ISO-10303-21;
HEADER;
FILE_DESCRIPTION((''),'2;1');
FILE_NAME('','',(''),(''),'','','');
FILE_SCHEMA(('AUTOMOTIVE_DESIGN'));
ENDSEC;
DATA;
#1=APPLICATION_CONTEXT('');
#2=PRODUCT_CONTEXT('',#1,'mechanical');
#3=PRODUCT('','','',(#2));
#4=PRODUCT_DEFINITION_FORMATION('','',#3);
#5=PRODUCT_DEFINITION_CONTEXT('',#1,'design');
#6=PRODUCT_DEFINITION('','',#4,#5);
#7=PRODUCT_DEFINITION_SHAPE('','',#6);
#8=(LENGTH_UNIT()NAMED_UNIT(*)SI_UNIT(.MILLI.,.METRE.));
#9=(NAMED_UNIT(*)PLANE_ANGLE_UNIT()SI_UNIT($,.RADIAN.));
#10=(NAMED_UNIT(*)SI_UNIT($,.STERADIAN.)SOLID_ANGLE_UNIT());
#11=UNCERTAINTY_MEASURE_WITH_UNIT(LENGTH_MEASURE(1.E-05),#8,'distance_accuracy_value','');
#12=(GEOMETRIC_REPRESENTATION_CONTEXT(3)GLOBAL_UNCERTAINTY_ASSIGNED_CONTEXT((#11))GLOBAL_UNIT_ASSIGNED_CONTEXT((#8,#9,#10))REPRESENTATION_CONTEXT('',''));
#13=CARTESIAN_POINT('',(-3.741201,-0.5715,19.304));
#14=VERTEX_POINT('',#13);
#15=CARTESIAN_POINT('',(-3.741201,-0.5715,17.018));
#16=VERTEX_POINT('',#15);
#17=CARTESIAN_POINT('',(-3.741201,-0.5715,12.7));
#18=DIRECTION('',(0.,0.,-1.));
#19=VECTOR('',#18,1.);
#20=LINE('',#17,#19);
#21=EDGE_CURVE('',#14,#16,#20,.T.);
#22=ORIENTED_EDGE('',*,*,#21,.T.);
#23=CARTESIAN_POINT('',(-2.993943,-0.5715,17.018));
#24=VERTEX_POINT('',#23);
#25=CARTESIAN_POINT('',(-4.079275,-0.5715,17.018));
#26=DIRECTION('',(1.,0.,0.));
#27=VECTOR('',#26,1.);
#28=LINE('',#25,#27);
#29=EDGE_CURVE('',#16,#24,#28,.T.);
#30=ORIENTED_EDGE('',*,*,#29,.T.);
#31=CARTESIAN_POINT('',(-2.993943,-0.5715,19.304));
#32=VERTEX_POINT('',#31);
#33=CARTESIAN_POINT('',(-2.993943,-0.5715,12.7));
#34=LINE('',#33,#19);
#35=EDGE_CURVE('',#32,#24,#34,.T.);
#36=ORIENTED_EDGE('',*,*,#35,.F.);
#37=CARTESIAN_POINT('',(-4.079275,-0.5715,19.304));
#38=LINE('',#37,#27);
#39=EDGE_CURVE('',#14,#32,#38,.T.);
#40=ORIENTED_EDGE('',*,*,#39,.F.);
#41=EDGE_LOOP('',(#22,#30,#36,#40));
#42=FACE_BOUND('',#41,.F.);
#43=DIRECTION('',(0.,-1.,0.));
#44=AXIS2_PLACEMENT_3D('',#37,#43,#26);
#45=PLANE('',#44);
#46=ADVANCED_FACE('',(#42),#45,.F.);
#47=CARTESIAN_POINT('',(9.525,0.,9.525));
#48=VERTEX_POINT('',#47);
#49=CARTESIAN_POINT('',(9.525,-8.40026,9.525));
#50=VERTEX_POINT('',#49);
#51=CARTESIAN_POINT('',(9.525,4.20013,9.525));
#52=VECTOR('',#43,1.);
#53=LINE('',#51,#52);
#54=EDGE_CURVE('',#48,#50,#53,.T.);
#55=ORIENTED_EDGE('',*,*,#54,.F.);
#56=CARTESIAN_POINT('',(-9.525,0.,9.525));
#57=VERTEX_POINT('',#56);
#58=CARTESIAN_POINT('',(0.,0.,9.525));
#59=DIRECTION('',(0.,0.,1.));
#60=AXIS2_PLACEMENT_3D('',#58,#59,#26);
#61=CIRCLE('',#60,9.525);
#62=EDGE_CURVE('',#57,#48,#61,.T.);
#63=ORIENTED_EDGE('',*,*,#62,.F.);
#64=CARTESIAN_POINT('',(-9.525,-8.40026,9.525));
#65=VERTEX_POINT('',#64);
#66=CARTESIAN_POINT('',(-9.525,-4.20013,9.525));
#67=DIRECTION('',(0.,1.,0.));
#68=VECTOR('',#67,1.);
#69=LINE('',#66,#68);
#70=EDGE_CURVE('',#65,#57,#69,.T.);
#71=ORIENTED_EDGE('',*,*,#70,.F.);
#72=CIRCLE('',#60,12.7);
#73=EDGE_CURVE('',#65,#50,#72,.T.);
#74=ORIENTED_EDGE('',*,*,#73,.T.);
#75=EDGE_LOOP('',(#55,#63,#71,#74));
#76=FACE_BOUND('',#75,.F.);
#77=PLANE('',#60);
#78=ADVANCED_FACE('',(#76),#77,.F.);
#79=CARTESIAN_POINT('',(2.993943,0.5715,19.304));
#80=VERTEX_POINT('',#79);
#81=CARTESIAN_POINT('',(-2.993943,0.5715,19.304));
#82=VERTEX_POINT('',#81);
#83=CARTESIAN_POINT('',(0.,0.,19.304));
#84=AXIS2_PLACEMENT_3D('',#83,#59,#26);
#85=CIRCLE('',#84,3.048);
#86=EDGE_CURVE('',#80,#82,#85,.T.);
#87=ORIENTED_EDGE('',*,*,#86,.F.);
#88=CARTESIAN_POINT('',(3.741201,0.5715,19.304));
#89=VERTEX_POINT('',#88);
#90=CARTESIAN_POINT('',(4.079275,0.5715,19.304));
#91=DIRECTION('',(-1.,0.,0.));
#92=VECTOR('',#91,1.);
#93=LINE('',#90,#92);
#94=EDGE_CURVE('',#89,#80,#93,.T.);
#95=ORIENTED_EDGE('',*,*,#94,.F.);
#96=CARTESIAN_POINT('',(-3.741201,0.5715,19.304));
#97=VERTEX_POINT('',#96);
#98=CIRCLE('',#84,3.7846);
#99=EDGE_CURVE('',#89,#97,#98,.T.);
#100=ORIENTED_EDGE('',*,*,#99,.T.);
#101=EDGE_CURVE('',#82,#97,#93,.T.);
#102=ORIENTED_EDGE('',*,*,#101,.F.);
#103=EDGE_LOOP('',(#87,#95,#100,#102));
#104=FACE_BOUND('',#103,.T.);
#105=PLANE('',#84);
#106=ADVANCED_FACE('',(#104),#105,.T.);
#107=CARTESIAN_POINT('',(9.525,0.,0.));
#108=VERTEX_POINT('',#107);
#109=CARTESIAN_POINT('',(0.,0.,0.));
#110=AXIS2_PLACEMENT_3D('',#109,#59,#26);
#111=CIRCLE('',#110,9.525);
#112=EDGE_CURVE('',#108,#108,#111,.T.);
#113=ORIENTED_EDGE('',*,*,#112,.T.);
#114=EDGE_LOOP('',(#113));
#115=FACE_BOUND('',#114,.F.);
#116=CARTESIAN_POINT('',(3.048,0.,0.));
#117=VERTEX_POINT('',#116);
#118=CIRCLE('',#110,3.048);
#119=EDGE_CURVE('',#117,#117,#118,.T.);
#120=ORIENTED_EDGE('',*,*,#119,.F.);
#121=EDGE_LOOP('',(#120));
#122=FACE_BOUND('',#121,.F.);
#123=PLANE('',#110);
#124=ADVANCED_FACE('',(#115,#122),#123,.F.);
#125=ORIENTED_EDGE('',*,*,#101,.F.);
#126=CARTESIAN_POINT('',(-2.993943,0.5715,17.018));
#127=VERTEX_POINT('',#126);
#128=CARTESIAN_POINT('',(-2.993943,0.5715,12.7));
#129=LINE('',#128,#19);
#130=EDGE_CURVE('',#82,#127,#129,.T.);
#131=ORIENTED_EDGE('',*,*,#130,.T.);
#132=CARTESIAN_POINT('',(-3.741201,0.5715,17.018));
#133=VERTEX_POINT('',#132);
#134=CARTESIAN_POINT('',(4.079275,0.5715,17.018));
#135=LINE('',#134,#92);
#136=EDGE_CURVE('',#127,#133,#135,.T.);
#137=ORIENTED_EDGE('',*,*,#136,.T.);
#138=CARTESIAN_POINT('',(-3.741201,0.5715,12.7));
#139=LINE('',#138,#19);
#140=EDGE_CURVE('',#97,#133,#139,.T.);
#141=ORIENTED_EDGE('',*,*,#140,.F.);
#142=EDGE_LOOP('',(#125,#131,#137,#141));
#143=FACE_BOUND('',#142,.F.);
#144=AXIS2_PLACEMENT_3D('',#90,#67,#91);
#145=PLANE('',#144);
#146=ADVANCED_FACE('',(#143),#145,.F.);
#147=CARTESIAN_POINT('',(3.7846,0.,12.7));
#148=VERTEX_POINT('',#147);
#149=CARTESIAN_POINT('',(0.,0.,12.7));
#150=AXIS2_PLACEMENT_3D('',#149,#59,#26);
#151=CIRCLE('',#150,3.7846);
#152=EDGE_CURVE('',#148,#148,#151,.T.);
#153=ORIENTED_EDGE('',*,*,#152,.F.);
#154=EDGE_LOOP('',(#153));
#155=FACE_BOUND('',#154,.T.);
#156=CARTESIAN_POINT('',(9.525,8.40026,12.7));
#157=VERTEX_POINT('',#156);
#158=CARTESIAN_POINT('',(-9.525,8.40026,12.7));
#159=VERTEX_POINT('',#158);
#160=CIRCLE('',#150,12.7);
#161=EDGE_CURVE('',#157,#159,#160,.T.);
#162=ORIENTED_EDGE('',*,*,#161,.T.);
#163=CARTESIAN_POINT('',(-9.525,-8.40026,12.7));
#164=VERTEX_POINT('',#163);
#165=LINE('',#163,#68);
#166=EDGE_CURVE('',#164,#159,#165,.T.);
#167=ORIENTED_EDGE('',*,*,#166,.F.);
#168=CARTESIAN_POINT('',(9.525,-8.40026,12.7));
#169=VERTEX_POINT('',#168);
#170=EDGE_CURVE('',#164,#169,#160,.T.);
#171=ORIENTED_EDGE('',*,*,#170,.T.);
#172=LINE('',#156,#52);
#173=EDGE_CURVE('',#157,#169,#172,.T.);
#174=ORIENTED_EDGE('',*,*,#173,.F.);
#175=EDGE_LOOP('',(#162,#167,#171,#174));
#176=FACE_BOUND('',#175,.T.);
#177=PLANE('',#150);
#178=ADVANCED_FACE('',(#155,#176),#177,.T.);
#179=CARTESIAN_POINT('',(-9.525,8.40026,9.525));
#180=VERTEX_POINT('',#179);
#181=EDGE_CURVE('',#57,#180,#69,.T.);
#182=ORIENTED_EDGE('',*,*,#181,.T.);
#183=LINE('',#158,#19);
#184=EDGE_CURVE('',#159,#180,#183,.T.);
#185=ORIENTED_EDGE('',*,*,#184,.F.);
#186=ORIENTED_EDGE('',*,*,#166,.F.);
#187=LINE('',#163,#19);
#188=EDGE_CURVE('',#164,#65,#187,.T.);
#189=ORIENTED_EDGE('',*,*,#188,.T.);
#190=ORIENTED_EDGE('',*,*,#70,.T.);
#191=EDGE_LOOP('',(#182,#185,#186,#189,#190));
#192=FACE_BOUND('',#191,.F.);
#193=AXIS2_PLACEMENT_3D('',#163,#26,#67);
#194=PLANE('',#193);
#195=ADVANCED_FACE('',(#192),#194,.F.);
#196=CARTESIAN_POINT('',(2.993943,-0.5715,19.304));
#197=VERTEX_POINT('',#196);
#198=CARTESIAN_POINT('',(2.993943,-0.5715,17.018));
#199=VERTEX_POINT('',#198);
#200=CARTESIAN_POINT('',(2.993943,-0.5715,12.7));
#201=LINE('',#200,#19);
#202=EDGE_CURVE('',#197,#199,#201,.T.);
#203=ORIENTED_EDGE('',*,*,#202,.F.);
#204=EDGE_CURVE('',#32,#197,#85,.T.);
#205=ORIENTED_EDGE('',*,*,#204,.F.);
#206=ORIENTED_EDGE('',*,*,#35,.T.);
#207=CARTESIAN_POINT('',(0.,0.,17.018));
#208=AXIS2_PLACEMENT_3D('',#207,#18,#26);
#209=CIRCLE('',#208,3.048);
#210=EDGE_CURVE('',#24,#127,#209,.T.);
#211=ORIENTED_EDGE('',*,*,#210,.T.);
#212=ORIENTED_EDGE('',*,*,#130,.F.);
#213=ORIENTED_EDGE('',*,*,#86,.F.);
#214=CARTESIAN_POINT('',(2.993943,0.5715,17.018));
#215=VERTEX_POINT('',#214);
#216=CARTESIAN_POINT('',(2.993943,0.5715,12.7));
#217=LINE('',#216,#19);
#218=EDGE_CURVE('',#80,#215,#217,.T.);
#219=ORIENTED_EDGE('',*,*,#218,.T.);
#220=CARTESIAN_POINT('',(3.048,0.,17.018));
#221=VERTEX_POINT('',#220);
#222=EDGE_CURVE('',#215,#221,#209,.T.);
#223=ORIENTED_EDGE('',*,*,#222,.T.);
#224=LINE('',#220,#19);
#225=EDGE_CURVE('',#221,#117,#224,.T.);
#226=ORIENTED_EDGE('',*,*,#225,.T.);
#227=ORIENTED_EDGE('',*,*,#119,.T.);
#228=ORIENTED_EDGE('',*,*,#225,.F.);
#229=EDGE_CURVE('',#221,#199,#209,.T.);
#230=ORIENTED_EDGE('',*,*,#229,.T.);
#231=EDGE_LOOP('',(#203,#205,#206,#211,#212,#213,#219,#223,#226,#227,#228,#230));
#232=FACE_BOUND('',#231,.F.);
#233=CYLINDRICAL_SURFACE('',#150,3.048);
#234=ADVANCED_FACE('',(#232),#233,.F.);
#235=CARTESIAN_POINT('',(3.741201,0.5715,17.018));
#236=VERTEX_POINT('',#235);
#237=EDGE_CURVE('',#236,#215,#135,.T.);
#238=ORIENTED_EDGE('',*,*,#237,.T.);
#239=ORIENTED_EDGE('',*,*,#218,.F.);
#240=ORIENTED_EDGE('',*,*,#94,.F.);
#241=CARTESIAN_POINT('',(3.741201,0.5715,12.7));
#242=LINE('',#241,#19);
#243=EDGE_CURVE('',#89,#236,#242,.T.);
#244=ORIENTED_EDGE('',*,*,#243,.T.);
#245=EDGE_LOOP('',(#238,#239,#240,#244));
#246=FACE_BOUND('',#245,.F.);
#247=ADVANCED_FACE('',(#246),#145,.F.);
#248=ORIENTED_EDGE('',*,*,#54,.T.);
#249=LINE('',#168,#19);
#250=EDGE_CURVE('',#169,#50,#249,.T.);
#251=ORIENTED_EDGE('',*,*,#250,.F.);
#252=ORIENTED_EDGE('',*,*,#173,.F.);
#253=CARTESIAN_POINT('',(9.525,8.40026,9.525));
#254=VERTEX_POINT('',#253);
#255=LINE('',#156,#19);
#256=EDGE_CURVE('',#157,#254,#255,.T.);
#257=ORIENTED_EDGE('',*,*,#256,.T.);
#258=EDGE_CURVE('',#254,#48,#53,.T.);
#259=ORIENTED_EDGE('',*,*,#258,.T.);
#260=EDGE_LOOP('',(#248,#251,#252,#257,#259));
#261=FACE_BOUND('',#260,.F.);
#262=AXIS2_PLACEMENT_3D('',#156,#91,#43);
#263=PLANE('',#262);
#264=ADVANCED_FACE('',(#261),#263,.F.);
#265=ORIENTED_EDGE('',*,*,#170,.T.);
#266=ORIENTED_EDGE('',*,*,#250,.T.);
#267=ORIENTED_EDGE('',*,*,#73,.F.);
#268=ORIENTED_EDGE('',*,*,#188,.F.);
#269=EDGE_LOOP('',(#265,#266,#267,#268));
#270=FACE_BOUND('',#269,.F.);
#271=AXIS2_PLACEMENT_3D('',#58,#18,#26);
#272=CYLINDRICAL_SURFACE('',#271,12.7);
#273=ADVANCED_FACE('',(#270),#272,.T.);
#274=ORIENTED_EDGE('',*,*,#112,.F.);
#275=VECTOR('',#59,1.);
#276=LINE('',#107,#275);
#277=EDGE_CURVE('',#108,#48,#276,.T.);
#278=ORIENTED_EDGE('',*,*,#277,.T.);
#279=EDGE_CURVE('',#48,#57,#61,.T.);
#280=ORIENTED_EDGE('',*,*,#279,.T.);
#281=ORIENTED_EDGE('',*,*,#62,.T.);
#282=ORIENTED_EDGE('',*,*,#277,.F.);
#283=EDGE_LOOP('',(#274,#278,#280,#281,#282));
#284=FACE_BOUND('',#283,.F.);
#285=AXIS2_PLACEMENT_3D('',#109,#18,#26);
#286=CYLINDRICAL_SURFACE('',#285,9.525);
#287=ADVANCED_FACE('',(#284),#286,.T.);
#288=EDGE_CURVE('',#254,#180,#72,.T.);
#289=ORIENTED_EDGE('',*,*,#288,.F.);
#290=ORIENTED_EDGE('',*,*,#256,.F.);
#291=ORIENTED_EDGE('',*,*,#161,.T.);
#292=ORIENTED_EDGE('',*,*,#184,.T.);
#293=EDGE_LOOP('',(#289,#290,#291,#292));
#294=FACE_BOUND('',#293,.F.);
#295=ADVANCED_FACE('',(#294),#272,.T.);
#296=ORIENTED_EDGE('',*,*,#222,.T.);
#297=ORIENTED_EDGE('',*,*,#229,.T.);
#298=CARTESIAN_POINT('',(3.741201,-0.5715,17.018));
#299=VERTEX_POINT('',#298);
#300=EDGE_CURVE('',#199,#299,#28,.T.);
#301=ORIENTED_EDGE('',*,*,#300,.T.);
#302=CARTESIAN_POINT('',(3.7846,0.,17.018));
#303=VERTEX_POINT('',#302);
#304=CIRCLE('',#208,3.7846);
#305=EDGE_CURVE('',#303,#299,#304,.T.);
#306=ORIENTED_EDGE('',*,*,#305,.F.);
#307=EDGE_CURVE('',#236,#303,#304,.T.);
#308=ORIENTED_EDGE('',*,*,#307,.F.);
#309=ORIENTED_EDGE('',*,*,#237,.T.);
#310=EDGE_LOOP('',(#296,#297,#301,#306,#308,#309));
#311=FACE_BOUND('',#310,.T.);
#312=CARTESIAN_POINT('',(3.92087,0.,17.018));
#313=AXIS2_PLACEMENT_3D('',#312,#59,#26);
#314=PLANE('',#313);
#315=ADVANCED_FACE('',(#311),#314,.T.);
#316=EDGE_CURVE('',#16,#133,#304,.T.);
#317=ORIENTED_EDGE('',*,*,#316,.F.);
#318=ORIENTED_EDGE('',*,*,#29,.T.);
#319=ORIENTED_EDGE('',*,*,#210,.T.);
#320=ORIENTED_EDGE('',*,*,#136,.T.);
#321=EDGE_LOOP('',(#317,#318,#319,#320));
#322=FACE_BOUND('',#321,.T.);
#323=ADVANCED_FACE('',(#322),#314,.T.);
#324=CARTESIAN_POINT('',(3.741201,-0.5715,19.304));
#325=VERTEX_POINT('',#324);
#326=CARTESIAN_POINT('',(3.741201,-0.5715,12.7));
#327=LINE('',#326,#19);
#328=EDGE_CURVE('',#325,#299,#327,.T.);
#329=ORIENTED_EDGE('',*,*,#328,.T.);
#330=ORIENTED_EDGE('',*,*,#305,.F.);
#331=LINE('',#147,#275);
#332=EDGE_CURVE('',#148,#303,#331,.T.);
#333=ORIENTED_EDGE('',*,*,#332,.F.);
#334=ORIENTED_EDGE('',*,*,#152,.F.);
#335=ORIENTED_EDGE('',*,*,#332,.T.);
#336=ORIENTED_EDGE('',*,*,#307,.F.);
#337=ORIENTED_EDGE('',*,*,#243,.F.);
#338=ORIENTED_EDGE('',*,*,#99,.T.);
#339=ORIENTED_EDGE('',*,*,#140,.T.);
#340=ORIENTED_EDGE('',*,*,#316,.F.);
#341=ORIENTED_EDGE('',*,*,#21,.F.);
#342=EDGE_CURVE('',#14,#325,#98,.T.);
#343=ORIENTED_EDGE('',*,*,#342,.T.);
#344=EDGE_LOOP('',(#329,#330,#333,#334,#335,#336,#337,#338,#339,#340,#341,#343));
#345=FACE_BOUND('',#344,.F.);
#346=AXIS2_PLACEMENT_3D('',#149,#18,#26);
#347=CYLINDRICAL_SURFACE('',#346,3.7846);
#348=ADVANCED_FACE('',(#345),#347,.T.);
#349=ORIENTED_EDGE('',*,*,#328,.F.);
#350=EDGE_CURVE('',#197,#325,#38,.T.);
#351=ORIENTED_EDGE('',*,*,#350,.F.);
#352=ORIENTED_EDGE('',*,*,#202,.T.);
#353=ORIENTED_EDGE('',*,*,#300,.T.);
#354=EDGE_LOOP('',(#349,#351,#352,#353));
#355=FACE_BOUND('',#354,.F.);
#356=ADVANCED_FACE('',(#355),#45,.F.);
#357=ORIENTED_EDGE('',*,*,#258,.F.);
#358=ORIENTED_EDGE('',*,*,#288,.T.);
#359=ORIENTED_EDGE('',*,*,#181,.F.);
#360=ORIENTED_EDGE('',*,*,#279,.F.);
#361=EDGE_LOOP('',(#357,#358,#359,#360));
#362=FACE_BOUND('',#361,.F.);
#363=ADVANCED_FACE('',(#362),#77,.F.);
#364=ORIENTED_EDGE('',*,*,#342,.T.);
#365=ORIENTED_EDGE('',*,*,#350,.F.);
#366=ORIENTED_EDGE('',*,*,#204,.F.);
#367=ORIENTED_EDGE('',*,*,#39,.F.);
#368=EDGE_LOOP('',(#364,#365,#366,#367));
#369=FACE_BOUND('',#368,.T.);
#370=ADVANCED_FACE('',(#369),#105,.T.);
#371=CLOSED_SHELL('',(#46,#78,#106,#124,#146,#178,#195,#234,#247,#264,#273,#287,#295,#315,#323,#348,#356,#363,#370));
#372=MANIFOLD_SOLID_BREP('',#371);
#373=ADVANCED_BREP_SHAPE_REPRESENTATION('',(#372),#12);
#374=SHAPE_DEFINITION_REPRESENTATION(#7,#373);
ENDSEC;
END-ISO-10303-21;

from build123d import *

# Parameters (mm, degrees)
F0_R      = 9.525
F1_DEPTH  = 9.525
F2_R      = 12.7
F2_R_2    = 9.525
F3_DEPTH  = 3.175
F5_DEPTH  = 25.4
F6_R      = 3.7846
F6_R_2    = 3.048
F7_DEPTH  = 6.604
F7_FACE_R = 3.048
F8_DEPTH  = 12.701
F10_DEPTH = 2.286


with BuildPart() as f1:
    # F0 (on Top) → F1 (new body)
    with BuildSketch(Plane.XY):
        Circle(F0_R)
    extrude(amount=F1_DEPTH)

    # F2 (on face) → F3 (join)
    with BuildSketch(Plane.XY.offset(9.525)):
        Circle(F2_R)
        Circle(F2_R_2, mode=Mode.SUBTRACT)
        Circle(F2_R_2)
    extrude(amount=F3_DEPTH)

    # F4 (on face) → F5 (cut)
    with BuildSketch(Plane.XY.offset(12.7)):
        with BuildLine():
            ThreePointArc((-9.525, 8.40026), (-12.7, 0), (-9.525, -8.40026))
            Line((-9.525, -8.40026), (-9.525, 8.40026))
        make_face()
        with BuildLine():
            Line((9.525, 8.40026), (9.525, -8.40026))
            ThreePointArc((9.525, -8.40026), (11.879762, -4.490128), (12.7, 0))
            ThreePointArc((12.7, 0), (11.879762, 4.490128), (9.525, 8.40026))
        make_face()
    extrude(amount=-F5_DEPTH, mode=Mode.SUBTRACT)

    # F6 (on face) → F7 (join)
    with BuildSketch(Plane.XY.offset(12.7)):
        Circle(F6_R)
        Circle(F6_R_2, mode=Mode.SUBTRACT)
    extrude(amount=F7_DEPTH)

    # F7_face (on face) → F8 (cut, through all)
    with BuildSketch(Plane.XY.offset(12.7)):
        Circle(F7_FACE_R)
    extrude(amount=-F8_DEPTH, mode=Mode.SUBTRACT)

    # F9 (on face) → F10 (cut)
    with BuildSketch(Plane.XY.offset(19.304)):
        with BuildLine():
            Line((3.741201, -0.5715), (4.079275, -0.5715))
            Line((4.079275, -0.5715), (4.079275, 0.5715))
            Line((4.079275, 0.5715), (3.741201, 0.5715))
            ThreePointArc((3.741201, 0.5715), (3.773735, 0.286573), (3.7846, 0))
            ThreePointArc((3.7846, 0), (3.773735, -0.286573), (3.741201, -0.5715))
        make_face()
        with BuildLine():
            Line((-4.079275, -0.5715), (-3.741201, -0.5715))
            ThreePointArc((-3.741201, -0.5715), (-3.7846, 0), (-3.741201, 0.5715))
            Line((-3.741201, 0.5715), (-4.079275, 0.5715))
            Line((-4.079275, 0.5715), (-4.079275, -0.5715))
        make_face()
        with BuildLine():
            ThreePointArc((-3.741201, 0.5715), (-3.7846, 0), (-3.741201, -0.5715))
            Line((-3.741201, -0.5715), (-2.993943, -0.5715))
            ThreePointArc((-2.993943, -0.5715), (-3.048, 0), (-2.993943, 0.5715))
            Line((-2.993943, 0.5715), (-3.741201, 0.5715))
        make_face()
        with BuildLine():
            Line((2.993943, -0.5715), (3.741201, -0.5715))
            ThreePointArc((3.741201, -0.5715), (3.773735, -0.286573), (3.7846, 0))
            ThreePointArc((3.7846, 0), (3.773735, 0.286573), (3.741201, 0.5715))
            Line((3.741201, 0.5715), (2.993943, 0.5715))
            ThreePointArc((2.993943, 0.5715), (3.034456, 0.287025), (3.048, 0))
            ThreePointArc((3.048, 0), (3.034456, -0.287025), (2.993943, -0.5715))
        make_face()
        with BuildLine():
            Line((-2.993943, -0.5715), (2.993943, -0.5715))
            ThreePointArc((2.993943, -0.5715), (3.034456, -0.287025), (3.048, 0))
            ThreePointArc((3.048, 0), (3.034456, 0.287025), (2.993943, 0.5715))
            Line((2.993943, 0.5715), (-2.993943, 0.5715))
            ThreePointArc((-2.993943, 0.5715), (-3.048, 0), (-2.993943, -0.5715))
        make_face()
    extrude(amount=-F10_DEPTH, mode=Mode.SUBTRACT)


solid = f1.part
